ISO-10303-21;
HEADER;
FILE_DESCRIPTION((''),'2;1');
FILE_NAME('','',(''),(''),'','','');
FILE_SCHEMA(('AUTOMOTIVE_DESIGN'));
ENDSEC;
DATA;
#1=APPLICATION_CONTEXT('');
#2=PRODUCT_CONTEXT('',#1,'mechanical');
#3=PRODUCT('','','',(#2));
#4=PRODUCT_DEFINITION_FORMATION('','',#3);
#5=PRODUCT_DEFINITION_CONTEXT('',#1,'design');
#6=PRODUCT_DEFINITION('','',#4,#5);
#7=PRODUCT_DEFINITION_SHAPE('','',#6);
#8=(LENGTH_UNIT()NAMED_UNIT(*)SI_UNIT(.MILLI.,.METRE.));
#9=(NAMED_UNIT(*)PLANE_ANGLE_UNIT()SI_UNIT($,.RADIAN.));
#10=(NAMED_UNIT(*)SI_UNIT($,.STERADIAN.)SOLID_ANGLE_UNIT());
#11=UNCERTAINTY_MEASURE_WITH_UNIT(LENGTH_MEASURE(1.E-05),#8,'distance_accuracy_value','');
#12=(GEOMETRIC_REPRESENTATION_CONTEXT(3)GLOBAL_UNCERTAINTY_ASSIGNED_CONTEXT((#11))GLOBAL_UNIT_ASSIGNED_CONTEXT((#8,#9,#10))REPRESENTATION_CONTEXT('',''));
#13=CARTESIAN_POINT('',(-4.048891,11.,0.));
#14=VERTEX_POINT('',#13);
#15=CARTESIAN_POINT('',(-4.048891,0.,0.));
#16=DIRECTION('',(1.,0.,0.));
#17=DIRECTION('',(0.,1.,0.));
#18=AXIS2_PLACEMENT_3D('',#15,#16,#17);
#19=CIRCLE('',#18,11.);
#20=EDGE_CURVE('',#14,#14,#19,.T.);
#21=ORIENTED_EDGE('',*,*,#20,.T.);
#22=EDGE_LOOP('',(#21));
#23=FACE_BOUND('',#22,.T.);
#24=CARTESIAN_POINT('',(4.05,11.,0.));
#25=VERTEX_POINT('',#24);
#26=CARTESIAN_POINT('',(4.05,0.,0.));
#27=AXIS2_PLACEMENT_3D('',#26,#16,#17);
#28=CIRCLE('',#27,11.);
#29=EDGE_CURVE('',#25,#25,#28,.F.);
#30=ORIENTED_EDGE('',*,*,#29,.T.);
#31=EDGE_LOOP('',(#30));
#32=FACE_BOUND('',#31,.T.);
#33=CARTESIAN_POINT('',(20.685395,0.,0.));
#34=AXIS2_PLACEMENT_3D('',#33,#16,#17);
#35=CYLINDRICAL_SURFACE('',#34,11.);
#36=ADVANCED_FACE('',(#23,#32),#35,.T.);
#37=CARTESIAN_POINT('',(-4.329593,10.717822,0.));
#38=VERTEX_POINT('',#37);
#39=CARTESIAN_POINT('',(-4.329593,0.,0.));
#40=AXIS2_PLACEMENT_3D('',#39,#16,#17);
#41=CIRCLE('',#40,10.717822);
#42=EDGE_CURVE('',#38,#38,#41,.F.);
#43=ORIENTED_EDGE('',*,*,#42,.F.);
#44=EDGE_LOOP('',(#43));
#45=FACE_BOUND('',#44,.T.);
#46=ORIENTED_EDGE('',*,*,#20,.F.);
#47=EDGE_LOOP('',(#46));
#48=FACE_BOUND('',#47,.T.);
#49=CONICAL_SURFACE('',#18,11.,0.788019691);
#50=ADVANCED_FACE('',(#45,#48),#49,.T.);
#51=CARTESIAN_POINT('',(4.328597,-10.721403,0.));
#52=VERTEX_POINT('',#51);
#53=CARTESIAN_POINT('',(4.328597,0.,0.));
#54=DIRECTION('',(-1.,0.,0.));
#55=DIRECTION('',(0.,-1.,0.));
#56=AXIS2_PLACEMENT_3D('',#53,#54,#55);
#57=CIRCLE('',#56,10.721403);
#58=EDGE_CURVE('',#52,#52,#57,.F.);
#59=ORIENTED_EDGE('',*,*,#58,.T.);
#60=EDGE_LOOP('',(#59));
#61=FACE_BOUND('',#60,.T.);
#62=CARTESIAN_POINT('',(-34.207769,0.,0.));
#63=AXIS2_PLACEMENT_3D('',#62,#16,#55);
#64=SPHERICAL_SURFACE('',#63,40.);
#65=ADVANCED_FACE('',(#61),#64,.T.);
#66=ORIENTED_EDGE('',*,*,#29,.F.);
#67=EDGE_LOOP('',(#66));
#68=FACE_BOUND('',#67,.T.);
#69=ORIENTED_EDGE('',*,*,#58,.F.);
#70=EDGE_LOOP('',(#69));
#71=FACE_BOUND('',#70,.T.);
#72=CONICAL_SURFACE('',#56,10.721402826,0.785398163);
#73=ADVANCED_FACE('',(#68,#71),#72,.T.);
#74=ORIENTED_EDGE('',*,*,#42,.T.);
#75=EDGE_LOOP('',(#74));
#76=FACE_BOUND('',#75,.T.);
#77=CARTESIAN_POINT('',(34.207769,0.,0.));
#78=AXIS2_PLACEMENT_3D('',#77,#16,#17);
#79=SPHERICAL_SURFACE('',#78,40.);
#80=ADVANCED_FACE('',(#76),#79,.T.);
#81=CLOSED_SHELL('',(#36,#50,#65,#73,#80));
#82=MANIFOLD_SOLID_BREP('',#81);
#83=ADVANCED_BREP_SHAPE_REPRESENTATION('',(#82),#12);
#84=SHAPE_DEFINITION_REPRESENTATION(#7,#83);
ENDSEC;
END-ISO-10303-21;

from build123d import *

# Parameters (mm, degrees)
CHAMFER2_SIZE         = 0.2
CHAMFER2_SIZE2        = 0.291356519
CHAMFER2_EDGE_2_SIZE  = 0.2
CHAMFER2_EDGE_2_SIZE2 = 0.291356519


with BuildPart() as part:
    # Sketch1 one side → Revolve1 (revolve)
    with BuildSketch(Plane.XY, mode=Mode.PRIVATE) as revolve1_sk:
        with BuildLine():
            Line((-4.25, -11), (4.25, -11))
            ThreePointArc((4.25, -11), (5.404796901, -5.553793215), (5.792230954, 0))
            Line((5.792230954, 0), (-5.792230954, 0))
            ThreePointArc((-5.792230954, 0), (-5.404796901, -5.553793215), (-4.25, -11))
        make_face()
    revolve(revolve1_sk.sketch.rotate(Axis((20.685395269, 0, 0), (-1, 0, 0)), 180), axis=Axis((20.685395269, 0, 0), (-1, 0, 0)))

    # Chamfer2
    chamfer2_edges = [part.edges().sort_by_distance(p)[0] for p in [
        (-4.25, -11, 0),
    ]]
    chamfer2_side = [part.faces().sort_by_distance(p)[0] for p in [
        (0, -11, 0),
    ]]
    chamfer(chamfer2_edges, length=CHAMFER2_SIZE, length2=CHAMFER2_SIZE2, reference=chamfer2_side[0])

    # Chamfer2 edge 2
    chamfer2_edge_2_edges = [part.edges().sort_by_distance(p)[0] for p in [
        (4.25, -11, 0),
    ]]
    chamfer2_edge_2_side = [part.faces().sort_by_distance(p)[0] for p in [
        (0, -11, 0),
    ]]
    chamfer(chamfer2_edge_2_edges, length=CHAMFER2_EDGE_2_SIZE, length2=CHAMFER2_EDGE_2_SIZE2, reference=chamfer2_edge_2_side[0])


solid = part.part
